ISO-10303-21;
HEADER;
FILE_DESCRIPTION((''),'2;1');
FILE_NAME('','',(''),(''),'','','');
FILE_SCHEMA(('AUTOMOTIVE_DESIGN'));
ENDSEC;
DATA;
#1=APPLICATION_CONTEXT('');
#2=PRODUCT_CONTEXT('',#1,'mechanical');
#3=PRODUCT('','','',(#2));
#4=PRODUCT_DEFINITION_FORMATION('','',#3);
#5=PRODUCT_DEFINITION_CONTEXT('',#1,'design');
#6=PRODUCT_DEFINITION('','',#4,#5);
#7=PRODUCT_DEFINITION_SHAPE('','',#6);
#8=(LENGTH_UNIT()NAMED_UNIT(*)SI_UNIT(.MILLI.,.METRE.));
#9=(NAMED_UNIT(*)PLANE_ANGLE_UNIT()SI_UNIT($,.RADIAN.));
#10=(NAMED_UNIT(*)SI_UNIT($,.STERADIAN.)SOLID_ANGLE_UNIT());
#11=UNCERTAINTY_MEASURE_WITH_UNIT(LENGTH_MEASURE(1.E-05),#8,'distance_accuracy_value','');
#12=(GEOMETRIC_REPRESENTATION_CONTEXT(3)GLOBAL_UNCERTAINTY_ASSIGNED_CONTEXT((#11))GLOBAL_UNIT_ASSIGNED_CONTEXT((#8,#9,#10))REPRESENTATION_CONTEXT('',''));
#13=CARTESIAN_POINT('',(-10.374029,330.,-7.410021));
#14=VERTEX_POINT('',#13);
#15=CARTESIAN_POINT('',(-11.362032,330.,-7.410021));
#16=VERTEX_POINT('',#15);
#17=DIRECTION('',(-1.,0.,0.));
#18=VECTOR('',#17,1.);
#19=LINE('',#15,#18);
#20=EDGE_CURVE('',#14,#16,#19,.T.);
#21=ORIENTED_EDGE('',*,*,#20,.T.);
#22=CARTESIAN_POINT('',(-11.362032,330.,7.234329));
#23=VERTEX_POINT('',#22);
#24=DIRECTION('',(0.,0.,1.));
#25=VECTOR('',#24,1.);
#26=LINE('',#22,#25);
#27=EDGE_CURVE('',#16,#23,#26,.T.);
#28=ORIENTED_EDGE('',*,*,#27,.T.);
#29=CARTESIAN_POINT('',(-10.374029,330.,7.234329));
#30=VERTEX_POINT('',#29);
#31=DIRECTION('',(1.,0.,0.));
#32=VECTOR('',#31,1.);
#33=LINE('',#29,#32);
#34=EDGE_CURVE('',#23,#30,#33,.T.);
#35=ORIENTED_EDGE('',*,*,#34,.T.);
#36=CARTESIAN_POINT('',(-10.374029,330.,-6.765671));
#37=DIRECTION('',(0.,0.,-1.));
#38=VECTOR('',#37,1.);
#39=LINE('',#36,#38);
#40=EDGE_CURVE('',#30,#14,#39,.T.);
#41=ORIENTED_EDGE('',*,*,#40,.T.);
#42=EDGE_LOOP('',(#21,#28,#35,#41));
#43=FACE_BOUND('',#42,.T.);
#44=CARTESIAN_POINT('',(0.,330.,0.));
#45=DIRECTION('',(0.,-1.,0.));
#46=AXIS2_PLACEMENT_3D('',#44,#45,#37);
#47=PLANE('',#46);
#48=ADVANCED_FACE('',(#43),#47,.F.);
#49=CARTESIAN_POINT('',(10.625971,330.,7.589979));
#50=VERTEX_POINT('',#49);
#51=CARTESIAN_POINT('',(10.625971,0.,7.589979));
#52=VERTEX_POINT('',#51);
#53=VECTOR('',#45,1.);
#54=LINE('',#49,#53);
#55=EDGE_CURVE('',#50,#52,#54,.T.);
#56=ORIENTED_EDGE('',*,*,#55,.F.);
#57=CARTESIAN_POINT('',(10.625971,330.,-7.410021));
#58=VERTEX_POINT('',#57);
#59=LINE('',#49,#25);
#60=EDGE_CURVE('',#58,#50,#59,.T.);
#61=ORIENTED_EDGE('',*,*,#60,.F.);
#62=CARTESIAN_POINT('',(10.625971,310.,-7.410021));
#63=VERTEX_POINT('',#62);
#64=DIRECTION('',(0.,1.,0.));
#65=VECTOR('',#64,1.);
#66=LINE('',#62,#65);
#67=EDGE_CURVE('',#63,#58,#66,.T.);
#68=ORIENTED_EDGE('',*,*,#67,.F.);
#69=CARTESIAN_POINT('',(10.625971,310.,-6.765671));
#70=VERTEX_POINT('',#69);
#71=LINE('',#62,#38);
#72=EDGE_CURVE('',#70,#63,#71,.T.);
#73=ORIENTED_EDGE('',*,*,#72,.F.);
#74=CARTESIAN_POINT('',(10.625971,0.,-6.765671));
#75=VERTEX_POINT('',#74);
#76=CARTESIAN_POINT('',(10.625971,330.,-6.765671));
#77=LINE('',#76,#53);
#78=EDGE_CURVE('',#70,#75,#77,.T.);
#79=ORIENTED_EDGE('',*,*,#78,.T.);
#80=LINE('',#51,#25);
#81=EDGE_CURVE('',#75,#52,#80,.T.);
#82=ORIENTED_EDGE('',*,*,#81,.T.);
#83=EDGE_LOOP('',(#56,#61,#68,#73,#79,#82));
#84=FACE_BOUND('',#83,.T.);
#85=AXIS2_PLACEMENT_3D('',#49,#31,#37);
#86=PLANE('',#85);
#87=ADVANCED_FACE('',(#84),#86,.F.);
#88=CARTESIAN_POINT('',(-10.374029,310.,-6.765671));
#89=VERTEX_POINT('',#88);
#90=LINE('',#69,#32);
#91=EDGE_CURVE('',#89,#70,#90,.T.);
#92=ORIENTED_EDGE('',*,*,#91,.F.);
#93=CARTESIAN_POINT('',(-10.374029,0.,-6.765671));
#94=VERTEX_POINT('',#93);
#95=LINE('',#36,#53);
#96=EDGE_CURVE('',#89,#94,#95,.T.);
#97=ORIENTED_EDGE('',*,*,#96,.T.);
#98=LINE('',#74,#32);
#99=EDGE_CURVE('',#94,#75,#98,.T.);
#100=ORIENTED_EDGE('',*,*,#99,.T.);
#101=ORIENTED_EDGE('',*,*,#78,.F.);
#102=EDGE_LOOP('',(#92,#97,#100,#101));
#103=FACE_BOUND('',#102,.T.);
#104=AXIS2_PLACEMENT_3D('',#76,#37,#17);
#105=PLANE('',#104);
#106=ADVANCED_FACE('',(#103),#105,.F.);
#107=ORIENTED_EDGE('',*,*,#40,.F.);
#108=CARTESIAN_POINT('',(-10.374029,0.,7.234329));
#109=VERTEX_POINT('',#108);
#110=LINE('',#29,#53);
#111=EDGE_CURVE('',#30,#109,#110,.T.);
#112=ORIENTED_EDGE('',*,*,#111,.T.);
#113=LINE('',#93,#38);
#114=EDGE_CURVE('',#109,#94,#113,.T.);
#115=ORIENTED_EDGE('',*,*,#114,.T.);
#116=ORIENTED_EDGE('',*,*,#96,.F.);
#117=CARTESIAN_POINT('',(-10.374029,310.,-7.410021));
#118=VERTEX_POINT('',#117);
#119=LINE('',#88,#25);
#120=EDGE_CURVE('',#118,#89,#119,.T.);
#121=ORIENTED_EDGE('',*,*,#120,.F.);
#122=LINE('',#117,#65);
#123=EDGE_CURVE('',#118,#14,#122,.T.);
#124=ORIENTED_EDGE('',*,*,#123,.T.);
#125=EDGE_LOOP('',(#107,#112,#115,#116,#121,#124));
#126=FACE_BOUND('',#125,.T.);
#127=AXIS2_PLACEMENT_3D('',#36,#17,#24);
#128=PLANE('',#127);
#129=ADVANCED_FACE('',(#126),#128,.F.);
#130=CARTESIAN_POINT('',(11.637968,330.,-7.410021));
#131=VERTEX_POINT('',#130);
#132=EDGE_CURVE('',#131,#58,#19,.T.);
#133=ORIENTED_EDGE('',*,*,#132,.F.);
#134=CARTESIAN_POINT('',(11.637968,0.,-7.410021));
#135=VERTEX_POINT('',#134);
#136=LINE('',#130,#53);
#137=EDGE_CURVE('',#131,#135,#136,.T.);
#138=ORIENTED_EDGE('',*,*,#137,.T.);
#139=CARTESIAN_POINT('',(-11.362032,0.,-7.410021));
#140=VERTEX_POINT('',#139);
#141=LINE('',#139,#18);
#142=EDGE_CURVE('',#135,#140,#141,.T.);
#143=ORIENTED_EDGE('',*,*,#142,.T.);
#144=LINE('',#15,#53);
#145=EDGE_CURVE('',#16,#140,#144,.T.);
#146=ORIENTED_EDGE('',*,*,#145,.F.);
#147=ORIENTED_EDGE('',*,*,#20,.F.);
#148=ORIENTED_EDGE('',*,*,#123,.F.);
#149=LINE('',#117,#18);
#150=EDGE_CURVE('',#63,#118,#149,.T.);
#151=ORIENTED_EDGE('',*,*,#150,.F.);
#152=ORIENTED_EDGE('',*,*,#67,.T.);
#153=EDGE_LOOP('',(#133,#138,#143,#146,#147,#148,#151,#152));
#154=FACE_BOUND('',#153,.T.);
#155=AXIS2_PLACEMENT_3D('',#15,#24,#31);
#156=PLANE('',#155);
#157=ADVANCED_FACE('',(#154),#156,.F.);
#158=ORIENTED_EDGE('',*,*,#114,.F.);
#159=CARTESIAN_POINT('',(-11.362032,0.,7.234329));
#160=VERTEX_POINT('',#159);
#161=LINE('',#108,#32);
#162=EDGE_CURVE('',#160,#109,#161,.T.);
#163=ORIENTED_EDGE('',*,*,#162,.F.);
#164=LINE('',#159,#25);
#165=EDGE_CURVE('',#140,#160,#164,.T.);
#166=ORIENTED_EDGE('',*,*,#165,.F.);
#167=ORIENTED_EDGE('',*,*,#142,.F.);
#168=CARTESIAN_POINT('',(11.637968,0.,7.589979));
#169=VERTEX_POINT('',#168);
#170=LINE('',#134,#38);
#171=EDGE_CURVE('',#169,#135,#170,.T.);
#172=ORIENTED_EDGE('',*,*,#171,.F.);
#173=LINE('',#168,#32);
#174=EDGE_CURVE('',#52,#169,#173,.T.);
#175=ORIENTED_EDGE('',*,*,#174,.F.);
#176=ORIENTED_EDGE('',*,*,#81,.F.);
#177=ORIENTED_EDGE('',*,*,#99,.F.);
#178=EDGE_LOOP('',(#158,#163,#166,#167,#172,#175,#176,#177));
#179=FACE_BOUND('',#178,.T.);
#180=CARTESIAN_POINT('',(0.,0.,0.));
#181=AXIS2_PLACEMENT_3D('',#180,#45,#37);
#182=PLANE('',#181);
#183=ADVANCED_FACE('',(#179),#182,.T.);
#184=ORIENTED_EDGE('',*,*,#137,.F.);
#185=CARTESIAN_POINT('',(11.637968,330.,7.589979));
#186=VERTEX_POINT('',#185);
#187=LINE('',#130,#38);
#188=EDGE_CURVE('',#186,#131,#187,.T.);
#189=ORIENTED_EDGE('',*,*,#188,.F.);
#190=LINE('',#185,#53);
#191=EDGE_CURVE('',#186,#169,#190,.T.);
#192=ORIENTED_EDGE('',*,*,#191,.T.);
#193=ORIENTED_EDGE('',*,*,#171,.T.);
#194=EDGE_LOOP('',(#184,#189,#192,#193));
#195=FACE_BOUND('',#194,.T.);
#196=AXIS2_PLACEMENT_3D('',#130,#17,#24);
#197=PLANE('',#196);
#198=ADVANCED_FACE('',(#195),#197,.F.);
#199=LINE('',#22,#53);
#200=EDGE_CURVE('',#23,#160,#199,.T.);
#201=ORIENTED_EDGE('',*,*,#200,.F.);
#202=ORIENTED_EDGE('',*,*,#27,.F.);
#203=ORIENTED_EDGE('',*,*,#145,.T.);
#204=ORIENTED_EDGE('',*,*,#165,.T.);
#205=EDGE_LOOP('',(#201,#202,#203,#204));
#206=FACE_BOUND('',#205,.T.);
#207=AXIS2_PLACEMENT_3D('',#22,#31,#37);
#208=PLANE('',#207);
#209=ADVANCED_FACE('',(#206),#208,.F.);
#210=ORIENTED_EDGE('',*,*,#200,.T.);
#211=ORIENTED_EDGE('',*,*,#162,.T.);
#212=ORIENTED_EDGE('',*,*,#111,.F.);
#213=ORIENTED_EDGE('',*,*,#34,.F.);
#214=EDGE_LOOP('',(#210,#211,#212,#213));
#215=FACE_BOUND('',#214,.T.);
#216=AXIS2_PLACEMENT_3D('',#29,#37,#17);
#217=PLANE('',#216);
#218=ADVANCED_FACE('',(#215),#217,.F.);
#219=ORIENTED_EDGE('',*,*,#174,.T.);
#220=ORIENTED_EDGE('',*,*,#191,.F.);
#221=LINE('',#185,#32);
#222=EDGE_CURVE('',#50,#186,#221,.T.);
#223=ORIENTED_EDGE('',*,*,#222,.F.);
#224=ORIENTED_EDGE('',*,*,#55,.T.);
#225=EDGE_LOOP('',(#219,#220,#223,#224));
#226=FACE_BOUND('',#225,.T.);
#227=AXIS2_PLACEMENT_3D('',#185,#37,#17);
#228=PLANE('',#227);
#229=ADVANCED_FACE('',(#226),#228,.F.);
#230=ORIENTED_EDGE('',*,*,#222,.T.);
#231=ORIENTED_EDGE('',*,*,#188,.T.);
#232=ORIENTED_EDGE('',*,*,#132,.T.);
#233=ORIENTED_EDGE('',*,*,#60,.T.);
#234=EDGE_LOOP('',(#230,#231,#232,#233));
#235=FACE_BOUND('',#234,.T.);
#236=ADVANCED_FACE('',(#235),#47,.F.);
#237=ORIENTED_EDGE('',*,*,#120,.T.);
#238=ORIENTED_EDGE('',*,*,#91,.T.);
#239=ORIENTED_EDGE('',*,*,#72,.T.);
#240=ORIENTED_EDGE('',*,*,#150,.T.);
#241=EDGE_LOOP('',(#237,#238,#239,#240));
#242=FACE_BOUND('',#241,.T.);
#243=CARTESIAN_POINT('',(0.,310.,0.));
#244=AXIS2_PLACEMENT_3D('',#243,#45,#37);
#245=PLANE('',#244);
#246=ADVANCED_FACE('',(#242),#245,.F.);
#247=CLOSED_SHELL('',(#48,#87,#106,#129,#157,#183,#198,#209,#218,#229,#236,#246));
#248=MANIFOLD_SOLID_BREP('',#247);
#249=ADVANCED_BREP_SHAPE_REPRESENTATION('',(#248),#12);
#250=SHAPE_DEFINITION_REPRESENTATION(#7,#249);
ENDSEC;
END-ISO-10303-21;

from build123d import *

# Parameters (mm, degrees)
BOSS_EXTRUDE2_DEPTH = 330
SKETCH3_W           = 21
SKETCH3_H           = 0.644349626
CUT_EXTRUDE1_DEPTH  = 20


with BuildPart() as part:
    # Sketch2 → Boss-Extrude2 (new body)
    with BuildSketch(Plane(origin=(0, 0, 0), x_dir=(1, 0, 0), z_dir=(0, 1, 0))):
        Polygon((-11.362031741, -7.234328925), (-11.362031741, 7.410020701), (11.637968259, 7.410020701), (11.637968259, -7.589979299), (10.625971019, -7.589979299), (10.625971019, 6.765671075), (-10.374028981, 6.765671075), (-10.374028981, -7.234328925), align=None)
    extrude(amount=BOSS_EXTRUDE2_DEPTH)

    # Sketch3 → Cut-Extrude1 (cut)
    with BuildSketch(Plane(origin=(0, 330, 0), x_dir=(1, 0, 0), z_dir=(0, 1, 0))):
        with Locations((0.125971019, 7.087845888)):
            Rectangle(SKETCH3_W, SKETCH3_H)
    extrude(amount=-CUT_EXTRUDE1_DEPTH, mode=Mode.SUBTRACT)


solid = part.part
